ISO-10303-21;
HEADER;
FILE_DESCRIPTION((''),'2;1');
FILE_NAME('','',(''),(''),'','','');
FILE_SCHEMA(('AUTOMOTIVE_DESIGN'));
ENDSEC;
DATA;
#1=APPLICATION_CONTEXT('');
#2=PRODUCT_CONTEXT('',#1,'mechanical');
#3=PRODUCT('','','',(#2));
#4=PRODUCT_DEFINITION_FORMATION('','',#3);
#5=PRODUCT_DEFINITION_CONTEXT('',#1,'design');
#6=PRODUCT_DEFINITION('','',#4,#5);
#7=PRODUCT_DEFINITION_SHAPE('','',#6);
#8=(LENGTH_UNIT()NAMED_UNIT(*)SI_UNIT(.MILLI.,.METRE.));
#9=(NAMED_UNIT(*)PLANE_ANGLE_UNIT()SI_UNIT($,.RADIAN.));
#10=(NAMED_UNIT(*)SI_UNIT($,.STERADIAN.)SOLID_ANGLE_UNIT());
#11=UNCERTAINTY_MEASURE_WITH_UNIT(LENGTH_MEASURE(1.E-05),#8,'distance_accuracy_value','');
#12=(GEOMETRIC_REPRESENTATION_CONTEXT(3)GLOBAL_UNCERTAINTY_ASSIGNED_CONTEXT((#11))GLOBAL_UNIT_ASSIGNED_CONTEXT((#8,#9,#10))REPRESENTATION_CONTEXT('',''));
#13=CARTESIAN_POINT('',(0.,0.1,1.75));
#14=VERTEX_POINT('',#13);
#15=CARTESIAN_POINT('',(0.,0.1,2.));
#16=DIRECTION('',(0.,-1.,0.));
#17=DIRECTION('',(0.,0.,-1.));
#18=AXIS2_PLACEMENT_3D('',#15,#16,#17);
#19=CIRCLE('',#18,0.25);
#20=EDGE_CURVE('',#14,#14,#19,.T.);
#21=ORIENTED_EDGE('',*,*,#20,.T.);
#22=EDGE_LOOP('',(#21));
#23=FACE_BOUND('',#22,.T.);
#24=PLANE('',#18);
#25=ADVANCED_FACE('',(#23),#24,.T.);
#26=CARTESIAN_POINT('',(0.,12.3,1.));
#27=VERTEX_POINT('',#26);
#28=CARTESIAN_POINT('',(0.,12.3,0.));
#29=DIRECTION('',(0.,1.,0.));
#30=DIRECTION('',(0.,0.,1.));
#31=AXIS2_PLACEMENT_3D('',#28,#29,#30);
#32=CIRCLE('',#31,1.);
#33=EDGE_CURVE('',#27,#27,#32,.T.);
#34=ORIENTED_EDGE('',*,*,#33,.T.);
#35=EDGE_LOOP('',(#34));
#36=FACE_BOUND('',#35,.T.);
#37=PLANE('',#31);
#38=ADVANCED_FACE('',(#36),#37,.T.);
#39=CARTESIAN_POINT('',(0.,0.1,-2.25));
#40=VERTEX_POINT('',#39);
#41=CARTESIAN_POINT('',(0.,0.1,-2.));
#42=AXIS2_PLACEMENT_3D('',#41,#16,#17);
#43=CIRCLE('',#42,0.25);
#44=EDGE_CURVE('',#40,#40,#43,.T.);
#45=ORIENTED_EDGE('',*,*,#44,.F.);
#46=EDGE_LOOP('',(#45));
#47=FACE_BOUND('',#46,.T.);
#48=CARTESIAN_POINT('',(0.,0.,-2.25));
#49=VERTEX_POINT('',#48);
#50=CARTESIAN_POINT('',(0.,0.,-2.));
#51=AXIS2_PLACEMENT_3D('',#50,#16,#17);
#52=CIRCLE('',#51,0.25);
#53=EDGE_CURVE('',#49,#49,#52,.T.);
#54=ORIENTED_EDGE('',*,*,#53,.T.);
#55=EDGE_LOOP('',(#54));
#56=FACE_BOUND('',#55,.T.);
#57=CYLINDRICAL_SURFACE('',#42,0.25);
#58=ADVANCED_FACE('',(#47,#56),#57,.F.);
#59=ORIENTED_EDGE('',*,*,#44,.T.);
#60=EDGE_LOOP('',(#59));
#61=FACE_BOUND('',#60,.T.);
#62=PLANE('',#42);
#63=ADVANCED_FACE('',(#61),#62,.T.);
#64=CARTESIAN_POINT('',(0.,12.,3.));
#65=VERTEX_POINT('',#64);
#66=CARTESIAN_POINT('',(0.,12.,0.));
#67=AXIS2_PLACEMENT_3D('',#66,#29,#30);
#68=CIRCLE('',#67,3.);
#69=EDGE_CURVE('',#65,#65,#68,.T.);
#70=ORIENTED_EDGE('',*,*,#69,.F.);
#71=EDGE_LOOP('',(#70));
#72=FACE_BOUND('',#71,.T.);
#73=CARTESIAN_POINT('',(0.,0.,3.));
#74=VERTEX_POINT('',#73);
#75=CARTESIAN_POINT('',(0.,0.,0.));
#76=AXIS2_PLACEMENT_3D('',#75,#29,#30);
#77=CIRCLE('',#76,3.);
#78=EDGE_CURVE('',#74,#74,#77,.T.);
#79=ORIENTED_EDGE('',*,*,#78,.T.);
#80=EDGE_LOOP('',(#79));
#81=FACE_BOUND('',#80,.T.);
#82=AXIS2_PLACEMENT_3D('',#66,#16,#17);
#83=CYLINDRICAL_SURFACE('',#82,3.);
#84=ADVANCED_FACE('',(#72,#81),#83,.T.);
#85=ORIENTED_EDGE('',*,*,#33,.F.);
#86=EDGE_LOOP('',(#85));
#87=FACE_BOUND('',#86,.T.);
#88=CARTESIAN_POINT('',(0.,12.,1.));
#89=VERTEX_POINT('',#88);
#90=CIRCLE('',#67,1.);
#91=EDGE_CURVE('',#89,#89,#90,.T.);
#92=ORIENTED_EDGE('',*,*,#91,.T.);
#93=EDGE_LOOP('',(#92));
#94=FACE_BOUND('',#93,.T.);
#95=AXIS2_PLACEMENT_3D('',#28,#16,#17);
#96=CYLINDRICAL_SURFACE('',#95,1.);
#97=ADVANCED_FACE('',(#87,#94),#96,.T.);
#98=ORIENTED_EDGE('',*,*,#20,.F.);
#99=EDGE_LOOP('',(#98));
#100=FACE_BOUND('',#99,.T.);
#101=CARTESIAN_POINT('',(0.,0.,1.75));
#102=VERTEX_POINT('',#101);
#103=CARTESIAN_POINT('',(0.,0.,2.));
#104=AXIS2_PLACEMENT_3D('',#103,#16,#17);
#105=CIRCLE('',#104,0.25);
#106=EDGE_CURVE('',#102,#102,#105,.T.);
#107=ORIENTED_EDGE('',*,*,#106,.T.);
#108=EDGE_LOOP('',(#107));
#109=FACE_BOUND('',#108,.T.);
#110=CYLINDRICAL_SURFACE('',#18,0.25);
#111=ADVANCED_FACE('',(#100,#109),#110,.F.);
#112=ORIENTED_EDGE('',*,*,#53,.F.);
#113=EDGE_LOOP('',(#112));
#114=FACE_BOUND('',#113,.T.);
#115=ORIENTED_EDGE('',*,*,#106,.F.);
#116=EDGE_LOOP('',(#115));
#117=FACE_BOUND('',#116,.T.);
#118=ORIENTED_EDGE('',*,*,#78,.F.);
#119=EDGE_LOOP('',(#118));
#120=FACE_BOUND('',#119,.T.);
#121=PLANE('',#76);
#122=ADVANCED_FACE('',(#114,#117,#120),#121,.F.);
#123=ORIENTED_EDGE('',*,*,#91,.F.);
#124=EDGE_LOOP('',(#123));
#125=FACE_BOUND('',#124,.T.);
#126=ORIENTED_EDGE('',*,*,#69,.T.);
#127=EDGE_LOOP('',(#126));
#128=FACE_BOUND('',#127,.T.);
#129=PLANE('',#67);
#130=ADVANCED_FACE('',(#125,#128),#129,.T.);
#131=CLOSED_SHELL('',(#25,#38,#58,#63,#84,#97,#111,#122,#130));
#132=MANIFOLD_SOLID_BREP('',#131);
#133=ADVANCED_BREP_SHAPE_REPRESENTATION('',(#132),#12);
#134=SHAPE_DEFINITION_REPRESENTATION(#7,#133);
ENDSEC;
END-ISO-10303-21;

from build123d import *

# Parameters (mm, degrees)
SKETCH2_R           = 3
BOSS_EXTRUDE1_DEPTH = 12
SKETCH3_R           = 1
BOSS_EXTRUDE2_DEPTH = 0.3
SKETCH4_R           = 0.25
CUT_EXTRUDE1_DEPTH  = 0.1


with BuildPart() as part:
    # Sketch2 → Boss-Extrude1 (new body)
    with BuildSketch(Plane(origin=(0, 0, 0), x_dir=(1, 0, 0), z_dir=(0, 1, 0))):
        Circle(SKETCH2_R)
    extrude(amount=BOSS_EXTRUDE1_DEPTH)

    # Sketch3 → Boss-Extrude2 (add)
    with BuildSketch(Plane(origin=(0, 12, 0), x_dir=(1, 0, 0), z_dir=(0, 1, 0))):
        Circle(SKETCH3_R)
    extrude(amount=BOSS_EXTRUDE2_DEPTH)

    # Sketch4 → Cut-Extrude1 (cut)
    with BuildSketch(Plane(origin=(0, 0, 0), x_dir=(-1, 0, 0), z_dir=(0, -1, 0))):
        with Locations((0, 2)):
            Circle(SKETCH4_R)
        with Locations((0, -2)):
            Circle(SKETCH4_R)
    extrude(amount=-CUT_EXTRUDE1_DEPTH, mode=Mode.SUBTRACT)


solid = part.part
